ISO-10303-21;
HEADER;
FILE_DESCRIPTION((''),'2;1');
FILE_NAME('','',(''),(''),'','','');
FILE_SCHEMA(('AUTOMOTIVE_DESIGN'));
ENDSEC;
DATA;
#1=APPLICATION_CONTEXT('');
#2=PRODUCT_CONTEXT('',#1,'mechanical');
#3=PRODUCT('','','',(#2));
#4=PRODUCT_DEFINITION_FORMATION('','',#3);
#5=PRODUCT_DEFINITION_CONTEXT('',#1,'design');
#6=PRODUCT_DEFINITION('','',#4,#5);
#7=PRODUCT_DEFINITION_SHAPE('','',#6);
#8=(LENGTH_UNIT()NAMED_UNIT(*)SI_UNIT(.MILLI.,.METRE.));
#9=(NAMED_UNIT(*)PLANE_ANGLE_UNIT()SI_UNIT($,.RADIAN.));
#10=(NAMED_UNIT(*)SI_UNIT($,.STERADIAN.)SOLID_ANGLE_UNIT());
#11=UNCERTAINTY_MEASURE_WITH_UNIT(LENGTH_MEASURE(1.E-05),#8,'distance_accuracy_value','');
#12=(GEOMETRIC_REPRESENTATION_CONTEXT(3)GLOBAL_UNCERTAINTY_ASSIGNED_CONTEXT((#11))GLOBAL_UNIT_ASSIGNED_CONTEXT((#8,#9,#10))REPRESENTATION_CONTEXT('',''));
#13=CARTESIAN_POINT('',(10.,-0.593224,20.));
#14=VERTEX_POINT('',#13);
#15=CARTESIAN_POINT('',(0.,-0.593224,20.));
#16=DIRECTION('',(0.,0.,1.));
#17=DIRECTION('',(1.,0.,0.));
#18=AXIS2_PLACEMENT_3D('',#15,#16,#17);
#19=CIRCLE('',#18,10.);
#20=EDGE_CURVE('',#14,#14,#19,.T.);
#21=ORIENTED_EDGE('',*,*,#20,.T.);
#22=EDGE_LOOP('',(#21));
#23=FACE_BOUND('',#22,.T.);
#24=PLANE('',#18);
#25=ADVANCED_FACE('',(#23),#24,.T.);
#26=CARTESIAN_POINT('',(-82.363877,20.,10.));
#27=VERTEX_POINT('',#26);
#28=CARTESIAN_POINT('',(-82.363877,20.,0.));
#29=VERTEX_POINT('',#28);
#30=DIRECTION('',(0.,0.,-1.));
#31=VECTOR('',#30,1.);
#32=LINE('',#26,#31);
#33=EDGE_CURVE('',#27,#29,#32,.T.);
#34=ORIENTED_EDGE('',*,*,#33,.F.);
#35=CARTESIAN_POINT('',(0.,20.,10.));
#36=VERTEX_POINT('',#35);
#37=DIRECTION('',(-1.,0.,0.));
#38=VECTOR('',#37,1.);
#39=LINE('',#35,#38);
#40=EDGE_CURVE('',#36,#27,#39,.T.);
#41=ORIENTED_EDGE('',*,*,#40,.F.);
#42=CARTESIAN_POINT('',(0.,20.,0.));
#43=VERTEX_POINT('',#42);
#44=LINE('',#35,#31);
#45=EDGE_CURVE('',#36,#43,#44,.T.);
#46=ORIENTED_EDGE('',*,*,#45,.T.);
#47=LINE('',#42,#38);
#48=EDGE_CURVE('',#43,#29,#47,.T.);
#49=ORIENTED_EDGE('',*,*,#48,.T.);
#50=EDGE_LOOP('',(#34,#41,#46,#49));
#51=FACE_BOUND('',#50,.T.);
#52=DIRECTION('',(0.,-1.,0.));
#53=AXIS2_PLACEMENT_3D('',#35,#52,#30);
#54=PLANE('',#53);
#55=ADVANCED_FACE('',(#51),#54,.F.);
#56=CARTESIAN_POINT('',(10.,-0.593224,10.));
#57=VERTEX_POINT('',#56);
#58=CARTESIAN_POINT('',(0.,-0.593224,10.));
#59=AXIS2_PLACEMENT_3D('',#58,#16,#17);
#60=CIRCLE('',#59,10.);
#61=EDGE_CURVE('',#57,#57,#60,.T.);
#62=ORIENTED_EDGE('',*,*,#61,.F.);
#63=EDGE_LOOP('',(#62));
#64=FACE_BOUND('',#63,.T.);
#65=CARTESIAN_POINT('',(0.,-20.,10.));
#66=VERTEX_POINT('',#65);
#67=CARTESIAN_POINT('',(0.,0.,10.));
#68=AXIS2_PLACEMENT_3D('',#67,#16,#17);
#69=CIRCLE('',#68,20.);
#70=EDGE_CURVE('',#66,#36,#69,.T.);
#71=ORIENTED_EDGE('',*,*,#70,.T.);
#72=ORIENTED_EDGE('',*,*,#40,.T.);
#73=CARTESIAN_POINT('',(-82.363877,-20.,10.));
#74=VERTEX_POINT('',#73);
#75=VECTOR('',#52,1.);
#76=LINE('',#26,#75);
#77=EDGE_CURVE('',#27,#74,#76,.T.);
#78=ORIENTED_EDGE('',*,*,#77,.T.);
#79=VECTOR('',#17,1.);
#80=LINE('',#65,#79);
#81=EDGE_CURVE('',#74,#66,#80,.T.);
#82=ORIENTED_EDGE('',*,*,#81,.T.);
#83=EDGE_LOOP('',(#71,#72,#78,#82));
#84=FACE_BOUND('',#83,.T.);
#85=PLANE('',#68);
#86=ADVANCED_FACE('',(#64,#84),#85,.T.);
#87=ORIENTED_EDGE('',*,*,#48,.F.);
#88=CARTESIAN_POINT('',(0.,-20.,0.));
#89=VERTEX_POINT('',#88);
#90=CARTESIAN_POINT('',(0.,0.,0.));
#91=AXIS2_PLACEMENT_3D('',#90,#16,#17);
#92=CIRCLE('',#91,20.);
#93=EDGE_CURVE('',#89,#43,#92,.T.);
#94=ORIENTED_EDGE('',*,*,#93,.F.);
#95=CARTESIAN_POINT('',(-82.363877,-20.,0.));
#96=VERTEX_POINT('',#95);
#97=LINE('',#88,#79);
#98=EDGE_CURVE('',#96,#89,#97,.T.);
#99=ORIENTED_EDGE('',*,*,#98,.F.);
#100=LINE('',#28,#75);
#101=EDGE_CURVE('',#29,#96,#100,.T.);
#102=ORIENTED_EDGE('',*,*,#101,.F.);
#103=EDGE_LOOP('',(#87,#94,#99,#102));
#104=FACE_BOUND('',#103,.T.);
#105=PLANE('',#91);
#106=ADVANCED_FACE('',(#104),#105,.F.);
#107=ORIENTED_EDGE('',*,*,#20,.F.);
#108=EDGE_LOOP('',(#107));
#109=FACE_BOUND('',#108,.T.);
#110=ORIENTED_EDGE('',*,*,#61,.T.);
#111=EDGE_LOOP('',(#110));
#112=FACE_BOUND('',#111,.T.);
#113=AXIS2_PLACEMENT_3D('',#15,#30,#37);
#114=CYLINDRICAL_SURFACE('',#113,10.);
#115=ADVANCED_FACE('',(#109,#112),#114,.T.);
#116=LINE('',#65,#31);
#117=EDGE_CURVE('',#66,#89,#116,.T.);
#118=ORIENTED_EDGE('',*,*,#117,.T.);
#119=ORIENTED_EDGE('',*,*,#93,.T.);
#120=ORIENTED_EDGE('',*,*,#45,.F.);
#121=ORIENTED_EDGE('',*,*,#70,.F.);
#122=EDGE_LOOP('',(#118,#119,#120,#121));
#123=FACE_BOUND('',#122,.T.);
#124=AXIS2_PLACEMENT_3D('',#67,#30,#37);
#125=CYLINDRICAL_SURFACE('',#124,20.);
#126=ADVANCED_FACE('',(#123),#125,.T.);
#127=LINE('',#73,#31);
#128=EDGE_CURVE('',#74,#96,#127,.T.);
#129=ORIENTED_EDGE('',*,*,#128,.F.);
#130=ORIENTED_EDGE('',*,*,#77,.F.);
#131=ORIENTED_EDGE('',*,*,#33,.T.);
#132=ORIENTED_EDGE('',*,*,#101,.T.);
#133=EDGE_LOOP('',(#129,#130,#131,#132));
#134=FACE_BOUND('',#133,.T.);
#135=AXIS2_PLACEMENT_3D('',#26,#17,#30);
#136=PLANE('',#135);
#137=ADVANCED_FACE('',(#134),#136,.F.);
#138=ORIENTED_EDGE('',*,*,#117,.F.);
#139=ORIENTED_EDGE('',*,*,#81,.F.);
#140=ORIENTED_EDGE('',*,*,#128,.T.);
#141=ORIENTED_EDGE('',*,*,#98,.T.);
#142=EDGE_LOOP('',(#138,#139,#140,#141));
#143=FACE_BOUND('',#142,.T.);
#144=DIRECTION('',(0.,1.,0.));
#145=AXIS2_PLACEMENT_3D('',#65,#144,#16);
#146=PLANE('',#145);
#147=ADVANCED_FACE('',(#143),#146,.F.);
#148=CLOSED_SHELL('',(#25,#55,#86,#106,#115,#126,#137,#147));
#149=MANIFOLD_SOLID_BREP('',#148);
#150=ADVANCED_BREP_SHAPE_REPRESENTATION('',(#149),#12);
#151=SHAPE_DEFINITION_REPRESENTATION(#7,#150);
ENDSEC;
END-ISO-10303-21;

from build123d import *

# Parameters (mm, degrees)
EXTRUDE_1_DEPTH = 10
SKETCH_2_R      = 10
EXTRUDE_2_DEPTH = 10


with BuildPart() as part:
    # 스케치1 → 보스-돌출1 (new body)
    with BuildSketch(Plane.XY):
        with BuildLine():
            Line((0, 20), (-82.363877474, 20))
            Line((-82.363877474, 20), (-82.363877474, -20))
            Line((-82.363877474, -20), (0, -20))
            ThreePointArc((0, -20), (20, 0), (0, 20))
        make_face()
    extrude(amount=EXTRUDE_1_DEPTH)

    # 스케치2 → 보스-돌출2 (add)
    with BuildSketch(Plane.XY.offset(10)):
        with Locations((0, -0.593223752)):
            Circle(SKETCH_2_R)
    extrude(amount=EXTRUDE_2_DEPTH)


solid = part.part
